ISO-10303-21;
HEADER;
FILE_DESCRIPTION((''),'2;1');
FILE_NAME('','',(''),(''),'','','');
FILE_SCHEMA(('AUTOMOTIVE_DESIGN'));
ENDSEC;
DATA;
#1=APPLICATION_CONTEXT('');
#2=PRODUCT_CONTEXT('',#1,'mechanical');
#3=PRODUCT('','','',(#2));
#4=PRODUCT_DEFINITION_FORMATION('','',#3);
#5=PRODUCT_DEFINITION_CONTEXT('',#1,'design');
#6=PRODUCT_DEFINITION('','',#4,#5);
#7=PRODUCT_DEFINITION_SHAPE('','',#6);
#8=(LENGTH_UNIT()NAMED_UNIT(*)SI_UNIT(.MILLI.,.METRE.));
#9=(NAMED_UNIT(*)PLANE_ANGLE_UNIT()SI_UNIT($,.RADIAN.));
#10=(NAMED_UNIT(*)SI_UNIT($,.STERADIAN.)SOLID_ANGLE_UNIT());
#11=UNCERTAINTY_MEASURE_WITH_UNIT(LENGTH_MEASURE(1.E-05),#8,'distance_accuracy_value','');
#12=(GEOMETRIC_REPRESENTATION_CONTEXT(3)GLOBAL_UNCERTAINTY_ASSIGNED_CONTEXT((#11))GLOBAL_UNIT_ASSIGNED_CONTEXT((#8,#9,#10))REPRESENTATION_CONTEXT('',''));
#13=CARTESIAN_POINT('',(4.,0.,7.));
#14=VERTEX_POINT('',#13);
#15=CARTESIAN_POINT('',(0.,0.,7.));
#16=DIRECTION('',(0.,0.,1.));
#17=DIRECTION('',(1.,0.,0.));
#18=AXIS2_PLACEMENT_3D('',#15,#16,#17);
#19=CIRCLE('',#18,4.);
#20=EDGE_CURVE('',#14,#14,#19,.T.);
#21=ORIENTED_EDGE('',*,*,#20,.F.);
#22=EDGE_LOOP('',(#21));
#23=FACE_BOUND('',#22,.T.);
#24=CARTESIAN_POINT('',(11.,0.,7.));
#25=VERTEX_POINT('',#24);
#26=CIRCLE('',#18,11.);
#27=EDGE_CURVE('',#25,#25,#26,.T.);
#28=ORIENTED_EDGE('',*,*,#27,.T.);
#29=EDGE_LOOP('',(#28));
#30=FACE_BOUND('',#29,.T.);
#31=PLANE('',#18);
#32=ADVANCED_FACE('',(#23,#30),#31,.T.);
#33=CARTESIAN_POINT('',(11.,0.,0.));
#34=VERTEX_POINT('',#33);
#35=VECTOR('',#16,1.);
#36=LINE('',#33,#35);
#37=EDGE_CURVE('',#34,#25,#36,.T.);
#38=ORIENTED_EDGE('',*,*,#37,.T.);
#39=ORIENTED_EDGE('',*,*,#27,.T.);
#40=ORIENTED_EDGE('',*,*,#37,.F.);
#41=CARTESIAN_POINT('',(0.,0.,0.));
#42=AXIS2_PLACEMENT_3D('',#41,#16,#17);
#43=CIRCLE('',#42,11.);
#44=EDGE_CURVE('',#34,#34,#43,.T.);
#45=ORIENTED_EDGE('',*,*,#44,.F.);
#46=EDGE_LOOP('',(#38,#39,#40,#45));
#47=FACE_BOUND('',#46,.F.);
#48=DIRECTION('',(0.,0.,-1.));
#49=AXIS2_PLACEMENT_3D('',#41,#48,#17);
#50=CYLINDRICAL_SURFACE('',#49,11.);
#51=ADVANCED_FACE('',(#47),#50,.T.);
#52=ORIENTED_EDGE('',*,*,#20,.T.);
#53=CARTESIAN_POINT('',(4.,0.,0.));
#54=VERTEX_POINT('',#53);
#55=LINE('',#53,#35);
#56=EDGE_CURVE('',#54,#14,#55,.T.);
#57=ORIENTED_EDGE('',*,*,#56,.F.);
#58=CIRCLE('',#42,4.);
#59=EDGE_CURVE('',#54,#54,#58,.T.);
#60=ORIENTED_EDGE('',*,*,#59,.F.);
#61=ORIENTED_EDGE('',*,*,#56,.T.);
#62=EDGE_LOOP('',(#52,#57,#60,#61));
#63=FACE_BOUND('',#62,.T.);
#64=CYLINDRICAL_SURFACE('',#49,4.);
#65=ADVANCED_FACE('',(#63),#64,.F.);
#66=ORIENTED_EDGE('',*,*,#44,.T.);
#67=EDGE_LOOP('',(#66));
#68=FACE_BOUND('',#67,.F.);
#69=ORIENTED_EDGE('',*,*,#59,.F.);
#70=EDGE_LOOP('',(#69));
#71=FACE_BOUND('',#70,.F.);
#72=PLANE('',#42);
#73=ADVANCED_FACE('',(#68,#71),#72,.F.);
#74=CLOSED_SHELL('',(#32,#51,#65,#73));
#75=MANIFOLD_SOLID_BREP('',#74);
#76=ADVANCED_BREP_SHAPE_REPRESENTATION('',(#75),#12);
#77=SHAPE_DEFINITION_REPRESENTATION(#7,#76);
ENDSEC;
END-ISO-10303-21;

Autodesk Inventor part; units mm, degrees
ref_plane "YZ Plane" through (0, 0, 0) normal (1, 0, 0) x (0, 1, 0)
ref_plane "XZ Plane" through (0, 0, 0) normal (0, 1, 0) x (-1, 0, 0)
ref_plane "XY Plane" through (0, 0, 0) normal (0, 0, 1) x (1, 0, 0)
sketch "Sketch1" plane through (0, 0, 0) normal (0, 0, 1) x (1, 0, 0)
  circle A0 centre (0, 0) radius 11
  circle A1 centre (0, 0) radius 4
  dimension "d0" = 22
  dimension "d2" = 8
extrude "Extrusion1" add sketch "Sketch1" along normal blind 7
properties part number "pully 16mmx30mmx6mm"
